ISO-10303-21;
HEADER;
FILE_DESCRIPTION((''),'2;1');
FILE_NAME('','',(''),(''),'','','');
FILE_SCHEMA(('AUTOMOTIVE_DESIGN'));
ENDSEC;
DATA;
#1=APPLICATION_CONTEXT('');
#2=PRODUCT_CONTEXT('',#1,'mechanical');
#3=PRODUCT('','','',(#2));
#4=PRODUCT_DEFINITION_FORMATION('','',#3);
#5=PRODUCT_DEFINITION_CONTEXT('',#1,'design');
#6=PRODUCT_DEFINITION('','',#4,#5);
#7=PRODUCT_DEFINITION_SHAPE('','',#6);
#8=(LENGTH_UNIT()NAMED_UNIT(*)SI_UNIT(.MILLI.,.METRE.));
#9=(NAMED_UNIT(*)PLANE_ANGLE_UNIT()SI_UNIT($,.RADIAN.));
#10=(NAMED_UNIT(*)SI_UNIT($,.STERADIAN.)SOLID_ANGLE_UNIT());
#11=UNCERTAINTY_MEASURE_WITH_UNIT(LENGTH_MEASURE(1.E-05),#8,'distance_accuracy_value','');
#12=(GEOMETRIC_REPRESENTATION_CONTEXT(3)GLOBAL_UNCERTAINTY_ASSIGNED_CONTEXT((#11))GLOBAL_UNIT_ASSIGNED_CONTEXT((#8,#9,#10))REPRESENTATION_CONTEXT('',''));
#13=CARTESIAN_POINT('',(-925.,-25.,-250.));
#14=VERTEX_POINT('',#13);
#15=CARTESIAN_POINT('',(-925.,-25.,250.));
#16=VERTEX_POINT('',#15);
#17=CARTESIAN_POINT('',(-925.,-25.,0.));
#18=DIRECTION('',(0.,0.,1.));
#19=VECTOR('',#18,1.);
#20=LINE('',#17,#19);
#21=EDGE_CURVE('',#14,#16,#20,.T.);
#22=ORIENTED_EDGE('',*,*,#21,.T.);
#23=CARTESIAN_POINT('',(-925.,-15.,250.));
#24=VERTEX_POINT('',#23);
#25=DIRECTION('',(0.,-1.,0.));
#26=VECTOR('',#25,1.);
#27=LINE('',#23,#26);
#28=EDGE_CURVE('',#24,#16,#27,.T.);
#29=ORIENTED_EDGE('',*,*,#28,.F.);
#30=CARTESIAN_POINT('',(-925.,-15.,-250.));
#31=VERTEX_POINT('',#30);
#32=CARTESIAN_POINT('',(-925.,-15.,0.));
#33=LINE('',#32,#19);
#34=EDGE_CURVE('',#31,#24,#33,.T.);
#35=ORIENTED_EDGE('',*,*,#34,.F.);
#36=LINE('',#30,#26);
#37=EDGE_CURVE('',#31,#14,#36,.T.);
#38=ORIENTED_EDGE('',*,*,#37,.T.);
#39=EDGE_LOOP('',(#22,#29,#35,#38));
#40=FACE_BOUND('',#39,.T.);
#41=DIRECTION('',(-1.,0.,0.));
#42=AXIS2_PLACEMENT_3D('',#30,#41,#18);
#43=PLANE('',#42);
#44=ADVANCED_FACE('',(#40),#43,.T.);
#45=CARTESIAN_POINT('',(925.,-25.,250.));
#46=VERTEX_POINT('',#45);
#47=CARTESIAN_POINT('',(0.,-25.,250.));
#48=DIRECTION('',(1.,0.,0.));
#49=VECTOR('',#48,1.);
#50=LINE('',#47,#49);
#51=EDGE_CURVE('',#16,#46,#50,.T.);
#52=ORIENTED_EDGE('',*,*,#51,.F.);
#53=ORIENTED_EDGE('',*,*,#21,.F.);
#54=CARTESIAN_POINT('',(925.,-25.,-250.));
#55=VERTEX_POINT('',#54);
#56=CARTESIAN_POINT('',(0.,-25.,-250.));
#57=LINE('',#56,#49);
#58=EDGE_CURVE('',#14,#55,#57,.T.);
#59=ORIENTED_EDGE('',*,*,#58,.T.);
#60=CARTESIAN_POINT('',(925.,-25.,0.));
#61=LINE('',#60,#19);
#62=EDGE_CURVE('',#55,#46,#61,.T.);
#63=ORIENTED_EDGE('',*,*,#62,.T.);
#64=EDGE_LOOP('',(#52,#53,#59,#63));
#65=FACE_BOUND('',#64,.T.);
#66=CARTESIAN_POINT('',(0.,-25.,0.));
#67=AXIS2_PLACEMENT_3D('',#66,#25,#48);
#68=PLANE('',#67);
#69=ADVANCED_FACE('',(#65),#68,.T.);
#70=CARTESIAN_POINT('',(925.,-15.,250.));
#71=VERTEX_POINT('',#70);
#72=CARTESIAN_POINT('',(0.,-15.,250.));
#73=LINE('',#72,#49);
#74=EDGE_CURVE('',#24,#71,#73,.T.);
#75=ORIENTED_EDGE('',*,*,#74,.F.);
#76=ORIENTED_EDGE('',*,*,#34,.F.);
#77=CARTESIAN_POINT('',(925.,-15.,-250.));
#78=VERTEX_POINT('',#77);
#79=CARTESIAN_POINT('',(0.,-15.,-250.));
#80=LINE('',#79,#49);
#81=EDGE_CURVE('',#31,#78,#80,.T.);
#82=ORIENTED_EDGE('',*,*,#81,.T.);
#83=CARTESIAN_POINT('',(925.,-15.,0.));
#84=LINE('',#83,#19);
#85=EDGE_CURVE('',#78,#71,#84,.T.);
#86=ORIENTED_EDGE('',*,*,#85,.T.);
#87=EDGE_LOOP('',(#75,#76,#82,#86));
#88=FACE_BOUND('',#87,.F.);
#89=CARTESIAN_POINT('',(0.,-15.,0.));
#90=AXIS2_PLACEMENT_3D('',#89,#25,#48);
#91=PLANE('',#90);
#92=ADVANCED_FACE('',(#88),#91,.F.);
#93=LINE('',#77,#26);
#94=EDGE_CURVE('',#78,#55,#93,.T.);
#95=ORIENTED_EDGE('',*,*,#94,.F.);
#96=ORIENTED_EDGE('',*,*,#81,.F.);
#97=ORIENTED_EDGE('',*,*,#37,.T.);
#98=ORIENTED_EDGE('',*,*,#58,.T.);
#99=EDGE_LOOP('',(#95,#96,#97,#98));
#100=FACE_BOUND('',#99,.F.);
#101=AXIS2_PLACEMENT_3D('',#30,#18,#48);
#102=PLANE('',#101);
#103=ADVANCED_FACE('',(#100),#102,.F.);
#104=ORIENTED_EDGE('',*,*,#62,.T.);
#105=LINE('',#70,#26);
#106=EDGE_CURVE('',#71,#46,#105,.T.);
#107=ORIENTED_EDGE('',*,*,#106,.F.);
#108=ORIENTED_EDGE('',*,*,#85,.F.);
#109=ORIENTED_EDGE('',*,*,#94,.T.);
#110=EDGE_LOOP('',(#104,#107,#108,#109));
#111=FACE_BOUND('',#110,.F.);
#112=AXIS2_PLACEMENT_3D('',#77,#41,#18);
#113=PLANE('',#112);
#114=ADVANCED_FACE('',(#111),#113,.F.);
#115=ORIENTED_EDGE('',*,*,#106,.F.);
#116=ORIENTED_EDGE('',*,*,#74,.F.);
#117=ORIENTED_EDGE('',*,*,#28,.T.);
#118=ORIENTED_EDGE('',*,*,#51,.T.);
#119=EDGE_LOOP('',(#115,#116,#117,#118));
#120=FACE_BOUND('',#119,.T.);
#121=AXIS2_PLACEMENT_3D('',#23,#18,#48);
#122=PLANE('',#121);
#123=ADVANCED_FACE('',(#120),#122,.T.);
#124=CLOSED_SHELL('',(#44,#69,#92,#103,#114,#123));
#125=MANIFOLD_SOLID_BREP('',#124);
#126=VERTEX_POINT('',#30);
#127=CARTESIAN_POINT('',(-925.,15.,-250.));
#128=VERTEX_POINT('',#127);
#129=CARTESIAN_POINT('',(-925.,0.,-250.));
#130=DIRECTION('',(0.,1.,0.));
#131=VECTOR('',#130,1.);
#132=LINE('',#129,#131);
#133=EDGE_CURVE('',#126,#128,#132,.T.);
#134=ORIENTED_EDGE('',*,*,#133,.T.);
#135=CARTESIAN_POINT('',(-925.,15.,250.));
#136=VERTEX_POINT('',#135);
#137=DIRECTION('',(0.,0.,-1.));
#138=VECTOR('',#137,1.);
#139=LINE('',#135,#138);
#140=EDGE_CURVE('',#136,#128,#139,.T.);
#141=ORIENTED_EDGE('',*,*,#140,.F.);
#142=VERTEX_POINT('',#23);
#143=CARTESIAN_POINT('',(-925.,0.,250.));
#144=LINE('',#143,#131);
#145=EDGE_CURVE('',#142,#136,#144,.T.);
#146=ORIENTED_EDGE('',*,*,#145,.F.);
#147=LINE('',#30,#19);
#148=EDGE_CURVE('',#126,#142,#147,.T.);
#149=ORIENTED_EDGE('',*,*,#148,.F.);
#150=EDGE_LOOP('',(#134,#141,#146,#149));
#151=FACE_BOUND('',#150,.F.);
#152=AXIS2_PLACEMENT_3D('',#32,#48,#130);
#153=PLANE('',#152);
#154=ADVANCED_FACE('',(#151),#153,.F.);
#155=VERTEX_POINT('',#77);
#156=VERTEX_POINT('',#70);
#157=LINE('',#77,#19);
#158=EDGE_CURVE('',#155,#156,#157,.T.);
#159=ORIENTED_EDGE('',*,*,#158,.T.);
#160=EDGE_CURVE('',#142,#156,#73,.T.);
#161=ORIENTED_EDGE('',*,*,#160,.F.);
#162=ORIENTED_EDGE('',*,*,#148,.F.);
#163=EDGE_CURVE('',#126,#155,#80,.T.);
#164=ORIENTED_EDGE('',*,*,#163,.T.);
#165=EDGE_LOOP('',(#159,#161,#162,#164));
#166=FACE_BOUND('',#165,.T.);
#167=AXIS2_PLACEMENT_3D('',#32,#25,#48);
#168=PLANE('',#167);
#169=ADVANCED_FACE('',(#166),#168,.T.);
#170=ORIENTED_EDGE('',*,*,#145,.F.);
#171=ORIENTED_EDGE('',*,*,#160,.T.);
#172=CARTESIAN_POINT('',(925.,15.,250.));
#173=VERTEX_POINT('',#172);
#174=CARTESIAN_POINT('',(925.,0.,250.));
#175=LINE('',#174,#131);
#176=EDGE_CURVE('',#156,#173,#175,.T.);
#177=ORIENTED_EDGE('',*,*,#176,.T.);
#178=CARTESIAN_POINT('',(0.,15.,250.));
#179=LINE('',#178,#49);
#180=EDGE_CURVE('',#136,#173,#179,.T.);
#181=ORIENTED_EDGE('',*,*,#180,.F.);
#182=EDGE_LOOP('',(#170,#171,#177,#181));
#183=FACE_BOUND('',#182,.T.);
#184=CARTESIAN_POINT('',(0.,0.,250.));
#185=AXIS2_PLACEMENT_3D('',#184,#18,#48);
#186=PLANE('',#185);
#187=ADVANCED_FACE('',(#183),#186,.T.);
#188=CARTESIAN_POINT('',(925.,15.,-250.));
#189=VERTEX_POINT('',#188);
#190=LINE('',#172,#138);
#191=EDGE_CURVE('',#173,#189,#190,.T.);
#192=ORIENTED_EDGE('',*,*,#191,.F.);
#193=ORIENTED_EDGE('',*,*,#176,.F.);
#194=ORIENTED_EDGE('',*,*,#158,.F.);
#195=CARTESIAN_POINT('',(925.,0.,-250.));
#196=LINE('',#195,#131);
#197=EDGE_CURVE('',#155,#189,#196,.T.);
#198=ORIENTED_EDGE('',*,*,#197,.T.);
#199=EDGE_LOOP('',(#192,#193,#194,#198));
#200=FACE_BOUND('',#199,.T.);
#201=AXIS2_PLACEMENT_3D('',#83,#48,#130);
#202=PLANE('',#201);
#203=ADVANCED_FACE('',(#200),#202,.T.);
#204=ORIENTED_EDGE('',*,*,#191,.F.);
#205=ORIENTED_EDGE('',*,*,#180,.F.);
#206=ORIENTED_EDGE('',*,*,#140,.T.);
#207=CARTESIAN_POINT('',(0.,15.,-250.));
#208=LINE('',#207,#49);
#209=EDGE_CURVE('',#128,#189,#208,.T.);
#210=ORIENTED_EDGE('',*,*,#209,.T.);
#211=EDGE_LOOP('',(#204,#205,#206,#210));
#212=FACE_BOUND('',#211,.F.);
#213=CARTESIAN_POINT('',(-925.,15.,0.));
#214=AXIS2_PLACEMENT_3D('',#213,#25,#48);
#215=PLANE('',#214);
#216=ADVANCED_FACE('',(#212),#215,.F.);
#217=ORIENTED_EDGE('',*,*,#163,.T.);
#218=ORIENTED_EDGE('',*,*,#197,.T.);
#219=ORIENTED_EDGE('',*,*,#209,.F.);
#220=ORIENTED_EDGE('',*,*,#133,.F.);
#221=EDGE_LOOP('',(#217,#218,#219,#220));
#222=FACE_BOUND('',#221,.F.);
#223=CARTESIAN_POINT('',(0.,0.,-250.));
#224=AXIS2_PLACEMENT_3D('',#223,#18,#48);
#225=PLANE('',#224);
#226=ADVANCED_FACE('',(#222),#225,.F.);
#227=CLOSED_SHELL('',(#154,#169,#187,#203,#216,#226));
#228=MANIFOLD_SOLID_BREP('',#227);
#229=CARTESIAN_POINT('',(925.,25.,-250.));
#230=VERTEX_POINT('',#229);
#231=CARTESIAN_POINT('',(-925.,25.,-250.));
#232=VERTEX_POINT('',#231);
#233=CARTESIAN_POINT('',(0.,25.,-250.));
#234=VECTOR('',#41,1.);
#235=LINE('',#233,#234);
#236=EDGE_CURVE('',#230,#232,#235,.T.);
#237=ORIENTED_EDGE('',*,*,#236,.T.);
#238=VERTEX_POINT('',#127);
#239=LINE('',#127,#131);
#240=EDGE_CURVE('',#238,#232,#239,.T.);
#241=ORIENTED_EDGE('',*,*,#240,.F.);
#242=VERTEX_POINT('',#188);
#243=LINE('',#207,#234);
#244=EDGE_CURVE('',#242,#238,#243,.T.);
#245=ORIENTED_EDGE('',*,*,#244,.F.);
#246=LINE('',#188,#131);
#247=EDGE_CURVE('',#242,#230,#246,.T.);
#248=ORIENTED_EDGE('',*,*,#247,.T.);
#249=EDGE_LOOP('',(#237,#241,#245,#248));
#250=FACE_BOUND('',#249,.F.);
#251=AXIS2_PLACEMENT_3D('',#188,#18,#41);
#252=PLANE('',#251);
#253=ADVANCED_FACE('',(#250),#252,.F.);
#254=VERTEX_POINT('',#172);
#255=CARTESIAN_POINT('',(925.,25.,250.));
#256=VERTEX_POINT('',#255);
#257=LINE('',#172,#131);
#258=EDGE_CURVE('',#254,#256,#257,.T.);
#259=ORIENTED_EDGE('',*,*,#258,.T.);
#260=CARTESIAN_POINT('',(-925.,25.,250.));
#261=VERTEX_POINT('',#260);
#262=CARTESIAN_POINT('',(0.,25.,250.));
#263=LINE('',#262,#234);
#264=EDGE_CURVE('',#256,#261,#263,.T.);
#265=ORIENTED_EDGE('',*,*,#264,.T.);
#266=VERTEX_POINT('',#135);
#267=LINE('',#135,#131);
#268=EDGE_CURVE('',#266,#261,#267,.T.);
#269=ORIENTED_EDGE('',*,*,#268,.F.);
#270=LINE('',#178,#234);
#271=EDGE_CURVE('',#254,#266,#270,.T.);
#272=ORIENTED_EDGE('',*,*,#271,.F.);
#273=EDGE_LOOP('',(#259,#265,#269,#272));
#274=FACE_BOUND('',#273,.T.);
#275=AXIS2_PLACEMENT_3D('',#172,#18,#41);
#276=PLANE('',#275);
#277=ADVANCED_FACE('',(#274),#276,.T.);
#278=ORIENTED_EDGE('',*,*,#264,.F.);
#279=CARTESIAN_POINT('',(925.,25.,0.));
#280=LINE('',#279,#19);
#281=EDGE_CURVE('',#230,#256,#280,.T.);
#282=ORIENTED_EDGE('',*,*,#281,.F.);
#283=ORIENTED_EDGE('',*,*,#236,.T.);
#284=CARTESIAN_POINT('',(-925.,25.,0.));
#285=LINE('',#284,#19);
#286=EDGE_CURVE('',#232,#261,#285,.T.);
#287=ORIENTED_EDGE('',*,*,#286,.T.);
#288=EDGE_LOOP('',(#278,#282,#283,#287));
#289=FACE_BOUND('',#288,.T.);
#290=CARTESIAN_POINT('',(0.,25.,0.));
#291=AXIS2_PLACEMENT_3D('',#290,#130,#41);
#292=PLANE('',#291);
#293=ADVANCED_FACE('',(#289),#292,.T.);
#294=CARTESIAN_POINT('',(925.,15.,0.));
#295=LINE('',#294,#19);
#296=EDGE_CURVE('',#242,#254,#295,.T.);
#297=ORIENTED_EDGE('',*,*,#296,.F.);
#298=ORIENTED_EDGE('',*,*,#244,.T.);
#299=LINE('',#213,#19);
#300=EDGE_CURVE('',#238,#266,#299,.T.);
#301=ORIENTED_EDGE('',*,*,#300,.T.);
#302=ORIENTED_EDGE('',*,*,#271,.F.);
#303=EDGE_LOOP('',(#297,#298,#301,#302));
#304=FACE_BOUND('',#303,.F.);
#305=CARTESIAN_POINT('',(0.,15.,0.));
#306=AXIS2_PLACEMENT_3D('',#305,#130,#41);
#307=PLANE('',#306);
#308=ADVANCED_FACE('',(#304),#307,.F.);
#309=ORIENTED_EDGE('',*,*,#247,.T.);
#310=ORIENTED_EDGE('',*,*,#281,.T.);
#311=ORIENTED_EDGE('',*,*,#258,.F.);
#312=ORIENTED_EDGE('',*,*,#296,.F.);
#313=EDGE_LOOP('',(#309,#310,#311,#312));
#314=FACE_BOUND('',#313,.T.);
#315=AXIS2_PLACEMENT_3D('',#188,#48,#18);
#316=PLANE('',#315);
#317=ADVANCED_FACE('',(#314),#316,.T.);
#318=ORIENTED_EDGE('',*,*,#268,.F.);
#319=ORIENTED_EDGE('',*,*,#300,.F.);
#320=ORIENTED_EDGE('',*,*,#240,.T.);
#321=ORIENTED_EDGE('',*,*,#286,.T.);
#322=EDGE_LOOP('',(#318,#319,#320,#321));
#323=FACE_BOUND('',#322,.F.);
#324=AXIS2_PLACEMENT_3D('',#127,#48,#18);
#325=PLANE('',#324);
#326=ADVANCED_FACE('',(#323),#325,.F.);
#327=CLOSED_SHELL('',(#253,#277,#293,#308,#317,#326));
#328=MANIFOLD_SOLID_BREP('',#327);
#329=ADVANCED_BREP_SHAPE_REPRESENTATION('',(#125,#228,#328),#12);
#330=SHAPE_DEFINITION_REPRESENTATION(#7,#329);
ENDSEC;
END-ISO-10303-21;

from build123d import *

# Parameters (mm, degrees)
F0_W     = 1850
F0_H     = 30
F1_DEPTH = 250
F2_W     = 1850
F2_H     = 500
F3_DEPTH = 10
F4_W     = 1850
F4_H     = 500
F5_DEPTH = 10


with BuildPart() as f1:
    # F0 (on Top) → F1 (new body, symmetric)
    with BuildSketch(Plane.XY):
        Rectangle(F0_W, F0_H)
    extrude(amount=F1_DEPTH, both=True)


with BuildPart() as f3:
    # F2 (on face) → F3 (new body)
    with BuildSketch(Plane(origin=(0, 15, 0), x_dir=(-1, 0, 0), z_dir=(0, 1, 0))):
        Rectangle(F2_W, F2_H)
    extrude(amount=F3_DEPTH)


with BuildPart() as f5:
    # F4 (on face) → F5 (new body)
    with BuildSketch(Plane.XZ.offset(15)):
        Rectangle(F4_W, F4_H)
    extrude(amount=F5_DEPTH)


solid = Compound([f1.part, f3.part, f5.part])
